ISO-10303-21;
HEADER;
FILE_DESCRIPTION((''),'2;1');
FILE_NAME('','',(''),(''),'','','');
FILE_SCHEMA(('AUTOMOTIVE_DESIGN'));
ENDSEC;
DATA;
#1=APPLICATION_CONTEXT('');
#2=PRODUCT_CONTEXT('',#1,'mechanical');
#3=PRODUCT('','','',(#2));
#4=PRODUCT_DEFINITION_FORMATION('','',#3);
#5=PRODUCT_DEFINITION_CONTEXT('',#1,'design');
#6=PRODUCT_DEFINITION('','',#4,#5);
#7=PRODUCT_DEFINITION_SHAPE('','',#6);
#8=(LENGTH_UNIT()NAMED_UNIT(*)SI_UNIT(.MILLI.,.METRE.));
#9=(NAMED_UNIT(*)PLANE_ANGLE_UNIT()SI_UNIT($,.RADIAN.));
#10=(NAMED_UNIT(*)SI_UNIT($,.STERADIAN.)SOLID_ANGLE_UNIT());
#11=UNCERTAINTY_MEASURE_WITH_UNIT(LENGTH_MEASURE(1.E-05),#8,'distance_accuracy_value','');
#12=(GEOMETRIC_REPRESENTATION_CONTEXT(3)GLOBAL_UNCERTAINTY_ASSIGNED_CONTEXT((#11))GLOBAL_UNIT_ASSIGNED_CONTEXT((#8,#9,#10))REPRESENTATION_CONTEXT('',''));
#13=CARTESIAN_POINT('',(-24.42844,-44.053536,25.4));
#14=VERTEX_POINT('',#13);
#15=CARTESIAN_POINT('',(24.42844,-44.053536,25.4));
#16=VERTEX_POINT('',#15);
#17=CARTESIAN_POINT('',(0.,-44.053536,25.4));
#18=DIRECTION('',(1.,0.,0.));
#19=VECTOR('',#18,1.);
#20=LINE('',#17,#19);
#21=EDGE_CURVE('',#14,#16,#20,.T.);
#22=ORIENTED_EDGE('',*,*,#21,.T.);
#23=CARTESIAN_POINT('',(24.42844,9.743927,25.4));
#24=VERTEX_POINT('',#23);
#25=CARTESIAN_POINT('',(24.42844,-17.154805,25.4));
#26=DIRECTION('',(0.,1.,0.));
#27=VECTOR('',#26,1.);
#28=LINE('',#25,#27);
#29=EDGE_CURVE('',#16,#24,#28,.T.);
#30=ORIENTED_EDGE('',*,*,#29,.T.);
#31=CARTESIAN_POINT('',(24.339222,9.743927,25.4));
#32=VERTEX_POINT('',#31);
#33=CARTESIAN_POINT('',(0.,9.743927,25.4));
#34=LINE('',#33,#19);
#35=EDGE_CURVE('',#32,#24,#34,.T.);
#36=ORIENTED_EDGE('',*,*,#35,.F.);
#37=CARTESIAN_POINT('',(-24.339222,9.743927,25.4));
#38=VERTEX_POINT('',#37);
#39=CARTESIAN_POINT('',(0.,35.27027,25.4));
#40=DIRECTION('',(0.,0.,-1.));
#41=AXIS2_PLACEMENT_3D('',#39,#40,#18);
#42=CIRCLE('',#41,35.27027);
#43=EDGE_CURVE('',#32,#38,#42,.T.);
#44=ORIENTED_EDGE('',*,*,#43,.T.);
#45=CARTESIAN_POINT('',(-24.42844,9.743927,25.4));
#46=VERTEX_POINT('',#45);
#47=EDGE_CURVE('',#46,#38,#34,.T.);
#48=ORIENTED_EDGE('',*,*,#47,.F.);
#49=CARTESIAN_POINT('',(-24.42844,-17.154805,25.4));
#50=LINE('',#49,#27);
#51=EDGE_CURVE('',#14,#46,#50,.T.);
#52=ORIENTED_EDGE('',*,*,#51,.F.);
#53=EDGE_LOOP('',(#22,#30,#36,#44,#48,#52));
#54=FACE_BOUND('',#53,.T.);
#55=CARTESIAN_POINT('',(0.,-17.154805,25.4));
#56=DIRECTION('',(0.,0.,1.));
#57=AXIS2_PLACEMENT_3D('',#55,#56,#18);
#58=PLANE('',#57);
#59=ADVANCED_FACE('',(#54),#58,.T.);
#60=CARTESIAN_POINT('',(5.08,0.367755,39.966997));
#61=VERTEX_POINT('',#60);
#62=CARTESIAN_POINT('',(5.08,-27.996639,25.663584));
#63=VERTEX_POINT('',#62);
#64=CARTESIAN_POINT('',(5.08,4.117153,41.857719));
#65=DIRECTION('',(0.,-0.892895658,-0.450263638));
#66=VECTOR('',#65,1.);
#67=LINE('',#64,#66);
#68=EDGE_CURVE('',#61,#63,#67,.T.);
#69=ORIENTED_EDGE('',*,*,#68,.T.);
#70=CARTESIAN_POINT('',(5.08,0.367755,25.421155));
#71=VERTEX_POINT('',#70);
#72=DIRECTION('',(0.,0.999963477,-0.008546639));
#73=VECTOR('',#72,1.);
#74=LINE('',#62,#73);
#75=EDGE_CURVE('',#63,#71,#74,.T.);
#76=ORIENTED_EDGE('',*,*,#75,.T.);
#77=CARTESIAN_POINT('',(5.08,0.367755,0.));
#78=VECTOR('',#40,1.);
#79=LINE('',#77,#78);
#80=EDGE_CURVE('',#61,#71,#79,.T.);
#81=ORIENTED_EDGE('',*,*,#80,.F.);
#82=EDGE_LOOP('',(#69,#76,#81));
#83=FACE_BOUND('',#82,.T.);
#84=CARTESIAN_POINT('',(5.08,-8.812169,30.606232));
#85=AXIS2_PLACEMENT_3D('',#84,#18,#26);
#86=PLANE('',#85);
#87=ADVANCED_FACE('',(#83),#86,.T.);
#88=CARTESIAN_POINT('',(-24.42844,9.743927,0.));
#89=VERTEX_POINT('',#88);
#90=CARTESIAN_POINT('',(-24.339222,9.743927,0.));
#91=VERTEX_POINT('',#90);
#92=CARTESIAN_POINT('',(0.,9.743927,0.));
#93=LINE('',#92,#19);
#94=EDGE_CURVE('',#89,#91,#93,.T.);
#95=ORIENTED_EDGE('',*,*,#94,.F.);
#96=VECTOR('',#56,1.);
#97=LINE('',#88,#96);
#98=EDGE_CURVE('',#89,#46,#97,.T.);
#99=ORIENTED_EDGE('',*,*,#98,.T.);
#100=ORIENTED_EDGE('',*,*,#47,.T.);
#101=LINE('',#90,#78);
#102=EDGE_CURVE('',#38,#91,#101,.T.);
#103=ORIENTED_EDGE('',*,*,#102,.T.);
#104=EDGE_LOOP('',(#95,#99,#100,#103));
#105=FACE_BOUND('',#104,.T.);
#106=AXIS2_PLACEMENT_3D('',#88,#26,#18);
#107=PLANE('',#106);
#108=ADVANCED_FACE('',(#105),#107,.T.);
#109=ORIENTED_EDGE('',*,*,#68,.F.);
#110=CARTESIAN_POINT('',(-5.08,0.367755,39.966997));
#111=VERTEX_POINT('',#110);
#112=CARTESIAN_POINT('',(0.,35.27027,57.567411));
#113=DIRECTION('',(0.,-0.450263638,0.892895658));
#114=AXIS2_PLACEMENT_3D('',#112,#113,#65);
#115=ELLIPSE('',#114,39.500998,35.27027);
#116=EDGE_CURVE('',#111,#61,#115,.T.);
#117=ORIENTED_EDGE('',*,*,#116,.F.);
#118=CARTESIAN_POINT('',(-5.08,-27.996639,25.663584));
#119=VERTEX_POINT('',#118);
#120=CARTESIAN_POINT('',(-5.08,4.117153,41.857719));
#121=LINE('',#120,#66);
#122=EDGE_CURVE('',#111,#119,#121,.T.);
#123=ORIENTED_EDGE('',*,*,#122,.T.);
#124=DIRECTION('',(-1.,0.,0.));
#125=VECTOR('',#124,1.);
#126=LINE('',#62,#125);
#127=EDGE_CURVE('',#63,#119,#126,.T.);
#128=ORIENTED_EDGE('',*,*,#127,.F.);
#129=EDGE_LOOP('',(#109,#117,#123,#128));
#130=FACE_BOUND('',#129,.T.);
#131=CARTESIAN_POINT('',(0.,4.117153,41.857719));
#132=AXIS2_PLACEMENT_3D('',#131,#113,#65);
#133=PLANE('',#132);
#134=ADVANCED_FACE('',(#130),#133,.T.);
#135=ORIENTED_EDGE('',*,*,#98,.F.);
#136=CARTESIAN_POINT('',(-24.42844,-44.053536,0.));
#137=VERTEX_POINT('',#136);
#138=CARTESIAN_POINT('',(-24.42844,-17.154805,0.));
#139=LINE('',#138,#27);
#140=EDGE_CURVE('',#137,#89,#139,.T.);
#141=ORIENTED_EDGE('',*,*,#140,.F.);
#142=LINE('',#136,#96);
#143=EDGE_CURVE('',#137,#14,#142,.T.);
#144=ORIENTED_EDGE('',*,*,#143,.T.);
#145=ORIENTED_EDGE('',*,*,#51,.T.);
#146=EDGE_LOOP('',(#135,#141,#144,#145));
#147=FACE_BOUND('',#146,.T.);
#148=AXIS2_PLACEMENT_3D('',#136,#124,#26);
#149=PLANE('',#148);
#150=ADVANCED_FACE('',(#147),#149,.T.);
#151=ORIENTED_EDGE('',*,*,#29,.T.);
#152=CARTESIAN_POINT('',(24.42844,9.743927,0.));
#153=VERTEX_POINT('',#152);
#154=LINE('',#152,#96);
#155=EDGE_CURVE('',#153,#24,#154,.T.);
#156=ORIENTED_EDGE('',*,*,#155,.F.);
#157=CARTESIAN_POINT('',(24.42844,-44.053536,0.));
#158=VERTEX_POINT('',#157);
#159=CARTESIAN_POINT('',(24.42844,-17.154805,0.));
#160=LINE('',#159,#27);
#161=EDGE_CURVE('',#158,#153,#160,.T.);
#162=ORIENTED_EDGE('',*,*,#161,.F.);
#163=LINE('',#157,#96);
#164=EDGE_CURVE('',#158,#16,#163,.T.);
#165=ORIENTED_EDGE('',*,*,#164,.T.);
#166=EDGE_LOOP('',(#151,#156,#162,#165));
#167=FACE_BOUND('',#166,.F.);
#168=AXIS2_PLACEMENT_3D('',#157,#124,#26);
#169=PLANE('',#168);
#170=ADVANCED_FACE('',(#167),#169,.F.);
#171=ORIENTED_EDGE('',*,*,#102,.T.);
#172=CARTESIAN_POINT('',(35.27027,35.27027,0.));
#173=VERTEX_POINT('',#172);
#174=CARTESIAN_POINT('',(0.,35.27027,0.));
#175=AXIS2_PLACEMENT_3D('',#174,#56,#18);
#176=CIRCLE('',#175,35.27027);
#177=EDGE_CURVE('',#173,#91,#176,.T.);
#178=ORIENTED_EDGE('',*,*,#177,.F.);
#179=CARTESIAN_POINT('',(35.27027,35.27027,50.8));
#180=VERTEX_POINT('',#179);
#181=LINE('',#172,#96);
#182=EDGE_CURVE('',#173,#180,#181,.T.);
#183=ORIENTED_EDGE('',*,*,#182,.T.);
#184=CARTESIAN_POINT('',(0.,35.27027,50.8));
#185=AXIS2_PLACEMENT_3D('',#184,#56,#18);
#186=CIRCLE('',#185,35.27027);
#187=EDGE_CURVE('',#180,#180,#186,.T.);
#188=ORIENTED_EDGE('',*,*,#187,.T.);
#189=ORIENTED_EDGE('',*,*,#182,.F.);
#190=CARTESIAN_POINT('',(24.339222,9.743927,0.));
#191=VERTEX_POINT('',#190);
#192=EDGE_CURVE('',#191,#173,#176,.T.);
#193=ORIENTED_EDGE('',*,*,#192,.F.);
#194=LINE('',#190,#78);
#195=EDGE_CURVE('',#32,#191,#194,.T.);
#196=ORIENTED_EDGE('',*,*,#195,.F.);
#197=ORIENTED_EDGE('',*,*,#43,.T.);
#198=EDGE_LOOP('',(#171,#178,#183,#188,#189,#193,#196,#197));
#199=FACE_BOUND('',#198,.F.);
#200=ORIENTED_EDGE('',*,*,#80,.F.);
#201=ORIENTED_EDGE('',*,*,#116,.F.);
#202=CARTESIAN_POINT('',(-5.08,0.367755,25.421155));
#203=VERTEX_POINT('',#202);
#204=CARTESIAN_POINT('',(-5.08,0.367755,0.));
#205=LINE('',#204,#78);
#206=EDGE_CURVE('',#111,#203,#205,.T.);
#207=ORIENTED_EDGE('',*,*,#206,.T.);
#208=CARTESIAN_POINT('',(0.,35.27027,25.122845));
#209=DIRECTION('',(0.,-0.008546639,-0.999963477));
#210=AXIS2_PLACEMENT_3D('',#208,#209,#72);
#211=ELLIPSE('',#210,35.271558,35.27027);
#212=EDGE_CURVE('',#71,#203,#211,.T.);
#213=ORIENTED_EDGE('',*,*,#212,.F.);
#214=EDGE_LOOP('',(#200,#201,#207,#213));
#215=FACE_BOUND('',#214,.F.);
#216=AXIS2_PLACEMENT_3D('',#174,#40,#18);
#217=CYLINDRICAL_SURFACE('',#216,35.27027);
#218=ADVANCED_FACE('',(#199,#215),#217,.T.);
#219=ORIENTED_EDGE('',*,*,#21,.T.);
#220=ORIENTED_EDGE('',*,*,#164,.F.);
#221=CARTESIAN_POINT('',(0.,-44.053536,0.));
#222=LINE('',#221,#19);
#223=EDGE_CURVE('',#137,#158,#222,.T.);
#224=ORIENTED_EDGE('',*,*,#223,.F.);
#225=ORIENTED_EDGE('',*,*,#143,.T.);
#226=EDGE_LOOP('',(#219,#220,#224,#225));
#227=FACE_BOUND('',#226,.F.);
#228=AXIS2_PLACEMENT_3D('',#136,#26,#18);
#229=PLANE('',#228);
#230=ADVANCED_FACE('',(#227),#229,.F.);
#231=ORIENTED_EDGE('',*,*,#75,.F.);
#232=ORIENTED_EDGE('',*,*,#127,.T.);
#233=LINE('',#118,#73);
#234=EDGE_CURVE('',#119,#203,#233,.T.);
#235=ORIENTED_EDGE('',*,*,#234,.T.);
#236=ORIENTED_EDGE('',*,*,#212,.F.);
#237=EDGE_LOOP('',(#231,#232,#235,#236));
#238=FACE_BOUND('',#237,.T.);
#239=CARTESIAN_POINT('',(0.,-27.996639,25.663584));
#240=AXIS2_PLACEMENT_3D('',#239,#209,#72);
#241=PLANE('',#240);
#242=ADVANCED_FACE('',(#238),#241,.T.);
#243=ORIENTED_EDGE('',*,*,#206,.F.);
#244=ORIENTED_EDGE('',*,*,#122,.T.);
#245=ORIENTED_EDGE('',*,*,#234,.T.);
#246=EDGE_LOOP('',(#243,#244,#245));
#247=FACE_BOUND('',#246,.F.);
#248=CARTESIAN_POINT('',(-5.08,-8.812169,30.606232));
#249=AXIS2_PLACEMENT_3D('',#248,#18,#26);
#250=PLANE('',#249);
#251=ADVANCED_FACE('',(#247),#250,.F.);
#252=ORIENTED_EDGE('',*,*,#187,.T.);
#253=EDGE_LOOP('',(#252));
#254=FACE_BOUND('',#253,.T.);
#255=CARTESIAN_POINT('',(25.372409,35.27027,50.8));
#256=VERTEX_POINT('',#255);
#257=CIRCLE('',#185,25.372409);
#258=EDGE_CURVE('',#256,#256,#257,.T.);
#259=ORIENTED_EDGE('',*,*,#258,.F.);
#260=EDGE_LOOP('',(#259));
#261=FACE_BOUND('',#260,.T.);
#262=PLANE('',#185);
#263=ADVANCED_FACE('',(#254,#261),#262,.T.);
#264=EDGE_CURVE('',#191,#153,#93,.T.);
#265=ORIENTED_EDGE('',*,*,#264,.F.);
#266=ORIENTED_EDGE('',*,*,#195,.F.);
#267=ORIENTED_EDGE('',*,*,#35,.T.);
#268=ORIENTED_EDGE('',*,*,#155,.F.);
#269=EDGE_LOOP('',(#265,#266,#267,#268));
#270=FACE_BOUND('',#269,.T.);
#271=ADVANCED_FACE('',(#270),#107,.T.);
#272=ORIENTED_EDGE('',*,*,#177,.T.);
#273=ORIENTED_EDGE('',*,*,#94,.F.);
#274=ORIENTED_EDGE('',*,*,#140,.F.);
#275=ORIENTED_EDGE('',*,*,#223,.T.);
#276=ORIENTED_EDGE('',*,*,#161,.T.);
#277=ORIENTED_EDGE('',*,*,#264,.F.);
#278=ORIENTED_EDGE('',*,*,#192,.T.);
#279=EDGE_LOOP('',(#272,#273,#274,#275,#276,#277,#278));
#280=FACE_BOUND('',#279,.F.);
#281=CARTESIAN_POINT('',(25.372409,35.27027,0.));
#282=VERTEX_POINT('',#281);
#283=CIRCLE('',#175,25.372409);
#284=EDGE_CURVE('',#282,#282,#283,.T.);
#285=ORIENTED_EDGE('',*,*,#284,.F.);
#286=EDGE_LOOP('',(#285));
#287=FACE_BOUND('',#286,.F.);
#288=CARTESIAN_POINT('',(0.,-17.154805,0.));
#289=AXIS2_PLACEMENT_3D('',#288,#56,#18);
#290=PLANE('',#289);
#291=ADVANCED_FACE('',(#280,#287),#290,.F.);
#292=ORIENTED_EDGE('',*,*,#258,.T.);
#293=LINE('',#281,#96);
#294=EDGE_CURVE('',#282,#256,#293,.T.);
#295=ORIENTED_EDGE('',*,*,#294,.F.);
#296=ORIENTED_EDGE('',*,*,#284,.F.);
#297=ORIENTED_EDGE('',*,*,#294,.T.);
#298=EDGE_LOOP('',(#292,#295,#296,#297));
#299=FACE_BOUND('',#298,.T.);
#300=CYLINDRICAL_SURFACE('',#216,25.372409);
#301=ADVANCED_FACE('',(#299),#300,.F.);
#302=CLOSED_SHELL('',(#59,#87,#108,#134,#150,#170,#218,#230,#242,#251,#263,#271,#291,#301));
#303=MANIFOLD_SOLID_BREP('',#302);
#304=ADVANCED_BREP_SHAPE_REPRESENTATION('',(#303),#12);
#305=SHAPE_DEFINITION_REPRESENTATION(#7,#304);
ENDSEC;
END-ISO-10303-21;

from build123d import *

# Parameters (mm, degrees)
F0_R     = 35.27027
F0_R_2   = 25.372409
F1_DEPTH = 50.8
F2_W     = 48.85688
F2_H     = 53.797463
F3_DEPTH = 25.4
F5_DEPTH = 5.08


with BuildPart() as f1:
    # F0 (on Top) → F1 (new body)
    with BuildSketch(Plane.XY):
        with Locations((0, 35.27027)):
            Circle(F0_R)
        with Locations((0, 35.27027)):
            Circle(F0_R_2, mode=Mode.SUBTRACT)
    extrude(amount=F1_DEPTH)

    # F2 (on Top) → F3 (join)
    with BuildSketch(Plane.XY):
        with Locations((0, -17.154805)):
            Rectangle(F2_W, F2_H)
    extrude(amount=F3_DEPTH)

    # F4 (on Right) → F5 (join, symmetric)
    with BuildSketch(Plane.YZ):
        Polygon((-27.996639, 25.663584), (4.117153, 25.389109), (4.117153, 41.857719), align=None)
    extrude(amount=F5_DEPTH, both=True)


solid = f1.part
